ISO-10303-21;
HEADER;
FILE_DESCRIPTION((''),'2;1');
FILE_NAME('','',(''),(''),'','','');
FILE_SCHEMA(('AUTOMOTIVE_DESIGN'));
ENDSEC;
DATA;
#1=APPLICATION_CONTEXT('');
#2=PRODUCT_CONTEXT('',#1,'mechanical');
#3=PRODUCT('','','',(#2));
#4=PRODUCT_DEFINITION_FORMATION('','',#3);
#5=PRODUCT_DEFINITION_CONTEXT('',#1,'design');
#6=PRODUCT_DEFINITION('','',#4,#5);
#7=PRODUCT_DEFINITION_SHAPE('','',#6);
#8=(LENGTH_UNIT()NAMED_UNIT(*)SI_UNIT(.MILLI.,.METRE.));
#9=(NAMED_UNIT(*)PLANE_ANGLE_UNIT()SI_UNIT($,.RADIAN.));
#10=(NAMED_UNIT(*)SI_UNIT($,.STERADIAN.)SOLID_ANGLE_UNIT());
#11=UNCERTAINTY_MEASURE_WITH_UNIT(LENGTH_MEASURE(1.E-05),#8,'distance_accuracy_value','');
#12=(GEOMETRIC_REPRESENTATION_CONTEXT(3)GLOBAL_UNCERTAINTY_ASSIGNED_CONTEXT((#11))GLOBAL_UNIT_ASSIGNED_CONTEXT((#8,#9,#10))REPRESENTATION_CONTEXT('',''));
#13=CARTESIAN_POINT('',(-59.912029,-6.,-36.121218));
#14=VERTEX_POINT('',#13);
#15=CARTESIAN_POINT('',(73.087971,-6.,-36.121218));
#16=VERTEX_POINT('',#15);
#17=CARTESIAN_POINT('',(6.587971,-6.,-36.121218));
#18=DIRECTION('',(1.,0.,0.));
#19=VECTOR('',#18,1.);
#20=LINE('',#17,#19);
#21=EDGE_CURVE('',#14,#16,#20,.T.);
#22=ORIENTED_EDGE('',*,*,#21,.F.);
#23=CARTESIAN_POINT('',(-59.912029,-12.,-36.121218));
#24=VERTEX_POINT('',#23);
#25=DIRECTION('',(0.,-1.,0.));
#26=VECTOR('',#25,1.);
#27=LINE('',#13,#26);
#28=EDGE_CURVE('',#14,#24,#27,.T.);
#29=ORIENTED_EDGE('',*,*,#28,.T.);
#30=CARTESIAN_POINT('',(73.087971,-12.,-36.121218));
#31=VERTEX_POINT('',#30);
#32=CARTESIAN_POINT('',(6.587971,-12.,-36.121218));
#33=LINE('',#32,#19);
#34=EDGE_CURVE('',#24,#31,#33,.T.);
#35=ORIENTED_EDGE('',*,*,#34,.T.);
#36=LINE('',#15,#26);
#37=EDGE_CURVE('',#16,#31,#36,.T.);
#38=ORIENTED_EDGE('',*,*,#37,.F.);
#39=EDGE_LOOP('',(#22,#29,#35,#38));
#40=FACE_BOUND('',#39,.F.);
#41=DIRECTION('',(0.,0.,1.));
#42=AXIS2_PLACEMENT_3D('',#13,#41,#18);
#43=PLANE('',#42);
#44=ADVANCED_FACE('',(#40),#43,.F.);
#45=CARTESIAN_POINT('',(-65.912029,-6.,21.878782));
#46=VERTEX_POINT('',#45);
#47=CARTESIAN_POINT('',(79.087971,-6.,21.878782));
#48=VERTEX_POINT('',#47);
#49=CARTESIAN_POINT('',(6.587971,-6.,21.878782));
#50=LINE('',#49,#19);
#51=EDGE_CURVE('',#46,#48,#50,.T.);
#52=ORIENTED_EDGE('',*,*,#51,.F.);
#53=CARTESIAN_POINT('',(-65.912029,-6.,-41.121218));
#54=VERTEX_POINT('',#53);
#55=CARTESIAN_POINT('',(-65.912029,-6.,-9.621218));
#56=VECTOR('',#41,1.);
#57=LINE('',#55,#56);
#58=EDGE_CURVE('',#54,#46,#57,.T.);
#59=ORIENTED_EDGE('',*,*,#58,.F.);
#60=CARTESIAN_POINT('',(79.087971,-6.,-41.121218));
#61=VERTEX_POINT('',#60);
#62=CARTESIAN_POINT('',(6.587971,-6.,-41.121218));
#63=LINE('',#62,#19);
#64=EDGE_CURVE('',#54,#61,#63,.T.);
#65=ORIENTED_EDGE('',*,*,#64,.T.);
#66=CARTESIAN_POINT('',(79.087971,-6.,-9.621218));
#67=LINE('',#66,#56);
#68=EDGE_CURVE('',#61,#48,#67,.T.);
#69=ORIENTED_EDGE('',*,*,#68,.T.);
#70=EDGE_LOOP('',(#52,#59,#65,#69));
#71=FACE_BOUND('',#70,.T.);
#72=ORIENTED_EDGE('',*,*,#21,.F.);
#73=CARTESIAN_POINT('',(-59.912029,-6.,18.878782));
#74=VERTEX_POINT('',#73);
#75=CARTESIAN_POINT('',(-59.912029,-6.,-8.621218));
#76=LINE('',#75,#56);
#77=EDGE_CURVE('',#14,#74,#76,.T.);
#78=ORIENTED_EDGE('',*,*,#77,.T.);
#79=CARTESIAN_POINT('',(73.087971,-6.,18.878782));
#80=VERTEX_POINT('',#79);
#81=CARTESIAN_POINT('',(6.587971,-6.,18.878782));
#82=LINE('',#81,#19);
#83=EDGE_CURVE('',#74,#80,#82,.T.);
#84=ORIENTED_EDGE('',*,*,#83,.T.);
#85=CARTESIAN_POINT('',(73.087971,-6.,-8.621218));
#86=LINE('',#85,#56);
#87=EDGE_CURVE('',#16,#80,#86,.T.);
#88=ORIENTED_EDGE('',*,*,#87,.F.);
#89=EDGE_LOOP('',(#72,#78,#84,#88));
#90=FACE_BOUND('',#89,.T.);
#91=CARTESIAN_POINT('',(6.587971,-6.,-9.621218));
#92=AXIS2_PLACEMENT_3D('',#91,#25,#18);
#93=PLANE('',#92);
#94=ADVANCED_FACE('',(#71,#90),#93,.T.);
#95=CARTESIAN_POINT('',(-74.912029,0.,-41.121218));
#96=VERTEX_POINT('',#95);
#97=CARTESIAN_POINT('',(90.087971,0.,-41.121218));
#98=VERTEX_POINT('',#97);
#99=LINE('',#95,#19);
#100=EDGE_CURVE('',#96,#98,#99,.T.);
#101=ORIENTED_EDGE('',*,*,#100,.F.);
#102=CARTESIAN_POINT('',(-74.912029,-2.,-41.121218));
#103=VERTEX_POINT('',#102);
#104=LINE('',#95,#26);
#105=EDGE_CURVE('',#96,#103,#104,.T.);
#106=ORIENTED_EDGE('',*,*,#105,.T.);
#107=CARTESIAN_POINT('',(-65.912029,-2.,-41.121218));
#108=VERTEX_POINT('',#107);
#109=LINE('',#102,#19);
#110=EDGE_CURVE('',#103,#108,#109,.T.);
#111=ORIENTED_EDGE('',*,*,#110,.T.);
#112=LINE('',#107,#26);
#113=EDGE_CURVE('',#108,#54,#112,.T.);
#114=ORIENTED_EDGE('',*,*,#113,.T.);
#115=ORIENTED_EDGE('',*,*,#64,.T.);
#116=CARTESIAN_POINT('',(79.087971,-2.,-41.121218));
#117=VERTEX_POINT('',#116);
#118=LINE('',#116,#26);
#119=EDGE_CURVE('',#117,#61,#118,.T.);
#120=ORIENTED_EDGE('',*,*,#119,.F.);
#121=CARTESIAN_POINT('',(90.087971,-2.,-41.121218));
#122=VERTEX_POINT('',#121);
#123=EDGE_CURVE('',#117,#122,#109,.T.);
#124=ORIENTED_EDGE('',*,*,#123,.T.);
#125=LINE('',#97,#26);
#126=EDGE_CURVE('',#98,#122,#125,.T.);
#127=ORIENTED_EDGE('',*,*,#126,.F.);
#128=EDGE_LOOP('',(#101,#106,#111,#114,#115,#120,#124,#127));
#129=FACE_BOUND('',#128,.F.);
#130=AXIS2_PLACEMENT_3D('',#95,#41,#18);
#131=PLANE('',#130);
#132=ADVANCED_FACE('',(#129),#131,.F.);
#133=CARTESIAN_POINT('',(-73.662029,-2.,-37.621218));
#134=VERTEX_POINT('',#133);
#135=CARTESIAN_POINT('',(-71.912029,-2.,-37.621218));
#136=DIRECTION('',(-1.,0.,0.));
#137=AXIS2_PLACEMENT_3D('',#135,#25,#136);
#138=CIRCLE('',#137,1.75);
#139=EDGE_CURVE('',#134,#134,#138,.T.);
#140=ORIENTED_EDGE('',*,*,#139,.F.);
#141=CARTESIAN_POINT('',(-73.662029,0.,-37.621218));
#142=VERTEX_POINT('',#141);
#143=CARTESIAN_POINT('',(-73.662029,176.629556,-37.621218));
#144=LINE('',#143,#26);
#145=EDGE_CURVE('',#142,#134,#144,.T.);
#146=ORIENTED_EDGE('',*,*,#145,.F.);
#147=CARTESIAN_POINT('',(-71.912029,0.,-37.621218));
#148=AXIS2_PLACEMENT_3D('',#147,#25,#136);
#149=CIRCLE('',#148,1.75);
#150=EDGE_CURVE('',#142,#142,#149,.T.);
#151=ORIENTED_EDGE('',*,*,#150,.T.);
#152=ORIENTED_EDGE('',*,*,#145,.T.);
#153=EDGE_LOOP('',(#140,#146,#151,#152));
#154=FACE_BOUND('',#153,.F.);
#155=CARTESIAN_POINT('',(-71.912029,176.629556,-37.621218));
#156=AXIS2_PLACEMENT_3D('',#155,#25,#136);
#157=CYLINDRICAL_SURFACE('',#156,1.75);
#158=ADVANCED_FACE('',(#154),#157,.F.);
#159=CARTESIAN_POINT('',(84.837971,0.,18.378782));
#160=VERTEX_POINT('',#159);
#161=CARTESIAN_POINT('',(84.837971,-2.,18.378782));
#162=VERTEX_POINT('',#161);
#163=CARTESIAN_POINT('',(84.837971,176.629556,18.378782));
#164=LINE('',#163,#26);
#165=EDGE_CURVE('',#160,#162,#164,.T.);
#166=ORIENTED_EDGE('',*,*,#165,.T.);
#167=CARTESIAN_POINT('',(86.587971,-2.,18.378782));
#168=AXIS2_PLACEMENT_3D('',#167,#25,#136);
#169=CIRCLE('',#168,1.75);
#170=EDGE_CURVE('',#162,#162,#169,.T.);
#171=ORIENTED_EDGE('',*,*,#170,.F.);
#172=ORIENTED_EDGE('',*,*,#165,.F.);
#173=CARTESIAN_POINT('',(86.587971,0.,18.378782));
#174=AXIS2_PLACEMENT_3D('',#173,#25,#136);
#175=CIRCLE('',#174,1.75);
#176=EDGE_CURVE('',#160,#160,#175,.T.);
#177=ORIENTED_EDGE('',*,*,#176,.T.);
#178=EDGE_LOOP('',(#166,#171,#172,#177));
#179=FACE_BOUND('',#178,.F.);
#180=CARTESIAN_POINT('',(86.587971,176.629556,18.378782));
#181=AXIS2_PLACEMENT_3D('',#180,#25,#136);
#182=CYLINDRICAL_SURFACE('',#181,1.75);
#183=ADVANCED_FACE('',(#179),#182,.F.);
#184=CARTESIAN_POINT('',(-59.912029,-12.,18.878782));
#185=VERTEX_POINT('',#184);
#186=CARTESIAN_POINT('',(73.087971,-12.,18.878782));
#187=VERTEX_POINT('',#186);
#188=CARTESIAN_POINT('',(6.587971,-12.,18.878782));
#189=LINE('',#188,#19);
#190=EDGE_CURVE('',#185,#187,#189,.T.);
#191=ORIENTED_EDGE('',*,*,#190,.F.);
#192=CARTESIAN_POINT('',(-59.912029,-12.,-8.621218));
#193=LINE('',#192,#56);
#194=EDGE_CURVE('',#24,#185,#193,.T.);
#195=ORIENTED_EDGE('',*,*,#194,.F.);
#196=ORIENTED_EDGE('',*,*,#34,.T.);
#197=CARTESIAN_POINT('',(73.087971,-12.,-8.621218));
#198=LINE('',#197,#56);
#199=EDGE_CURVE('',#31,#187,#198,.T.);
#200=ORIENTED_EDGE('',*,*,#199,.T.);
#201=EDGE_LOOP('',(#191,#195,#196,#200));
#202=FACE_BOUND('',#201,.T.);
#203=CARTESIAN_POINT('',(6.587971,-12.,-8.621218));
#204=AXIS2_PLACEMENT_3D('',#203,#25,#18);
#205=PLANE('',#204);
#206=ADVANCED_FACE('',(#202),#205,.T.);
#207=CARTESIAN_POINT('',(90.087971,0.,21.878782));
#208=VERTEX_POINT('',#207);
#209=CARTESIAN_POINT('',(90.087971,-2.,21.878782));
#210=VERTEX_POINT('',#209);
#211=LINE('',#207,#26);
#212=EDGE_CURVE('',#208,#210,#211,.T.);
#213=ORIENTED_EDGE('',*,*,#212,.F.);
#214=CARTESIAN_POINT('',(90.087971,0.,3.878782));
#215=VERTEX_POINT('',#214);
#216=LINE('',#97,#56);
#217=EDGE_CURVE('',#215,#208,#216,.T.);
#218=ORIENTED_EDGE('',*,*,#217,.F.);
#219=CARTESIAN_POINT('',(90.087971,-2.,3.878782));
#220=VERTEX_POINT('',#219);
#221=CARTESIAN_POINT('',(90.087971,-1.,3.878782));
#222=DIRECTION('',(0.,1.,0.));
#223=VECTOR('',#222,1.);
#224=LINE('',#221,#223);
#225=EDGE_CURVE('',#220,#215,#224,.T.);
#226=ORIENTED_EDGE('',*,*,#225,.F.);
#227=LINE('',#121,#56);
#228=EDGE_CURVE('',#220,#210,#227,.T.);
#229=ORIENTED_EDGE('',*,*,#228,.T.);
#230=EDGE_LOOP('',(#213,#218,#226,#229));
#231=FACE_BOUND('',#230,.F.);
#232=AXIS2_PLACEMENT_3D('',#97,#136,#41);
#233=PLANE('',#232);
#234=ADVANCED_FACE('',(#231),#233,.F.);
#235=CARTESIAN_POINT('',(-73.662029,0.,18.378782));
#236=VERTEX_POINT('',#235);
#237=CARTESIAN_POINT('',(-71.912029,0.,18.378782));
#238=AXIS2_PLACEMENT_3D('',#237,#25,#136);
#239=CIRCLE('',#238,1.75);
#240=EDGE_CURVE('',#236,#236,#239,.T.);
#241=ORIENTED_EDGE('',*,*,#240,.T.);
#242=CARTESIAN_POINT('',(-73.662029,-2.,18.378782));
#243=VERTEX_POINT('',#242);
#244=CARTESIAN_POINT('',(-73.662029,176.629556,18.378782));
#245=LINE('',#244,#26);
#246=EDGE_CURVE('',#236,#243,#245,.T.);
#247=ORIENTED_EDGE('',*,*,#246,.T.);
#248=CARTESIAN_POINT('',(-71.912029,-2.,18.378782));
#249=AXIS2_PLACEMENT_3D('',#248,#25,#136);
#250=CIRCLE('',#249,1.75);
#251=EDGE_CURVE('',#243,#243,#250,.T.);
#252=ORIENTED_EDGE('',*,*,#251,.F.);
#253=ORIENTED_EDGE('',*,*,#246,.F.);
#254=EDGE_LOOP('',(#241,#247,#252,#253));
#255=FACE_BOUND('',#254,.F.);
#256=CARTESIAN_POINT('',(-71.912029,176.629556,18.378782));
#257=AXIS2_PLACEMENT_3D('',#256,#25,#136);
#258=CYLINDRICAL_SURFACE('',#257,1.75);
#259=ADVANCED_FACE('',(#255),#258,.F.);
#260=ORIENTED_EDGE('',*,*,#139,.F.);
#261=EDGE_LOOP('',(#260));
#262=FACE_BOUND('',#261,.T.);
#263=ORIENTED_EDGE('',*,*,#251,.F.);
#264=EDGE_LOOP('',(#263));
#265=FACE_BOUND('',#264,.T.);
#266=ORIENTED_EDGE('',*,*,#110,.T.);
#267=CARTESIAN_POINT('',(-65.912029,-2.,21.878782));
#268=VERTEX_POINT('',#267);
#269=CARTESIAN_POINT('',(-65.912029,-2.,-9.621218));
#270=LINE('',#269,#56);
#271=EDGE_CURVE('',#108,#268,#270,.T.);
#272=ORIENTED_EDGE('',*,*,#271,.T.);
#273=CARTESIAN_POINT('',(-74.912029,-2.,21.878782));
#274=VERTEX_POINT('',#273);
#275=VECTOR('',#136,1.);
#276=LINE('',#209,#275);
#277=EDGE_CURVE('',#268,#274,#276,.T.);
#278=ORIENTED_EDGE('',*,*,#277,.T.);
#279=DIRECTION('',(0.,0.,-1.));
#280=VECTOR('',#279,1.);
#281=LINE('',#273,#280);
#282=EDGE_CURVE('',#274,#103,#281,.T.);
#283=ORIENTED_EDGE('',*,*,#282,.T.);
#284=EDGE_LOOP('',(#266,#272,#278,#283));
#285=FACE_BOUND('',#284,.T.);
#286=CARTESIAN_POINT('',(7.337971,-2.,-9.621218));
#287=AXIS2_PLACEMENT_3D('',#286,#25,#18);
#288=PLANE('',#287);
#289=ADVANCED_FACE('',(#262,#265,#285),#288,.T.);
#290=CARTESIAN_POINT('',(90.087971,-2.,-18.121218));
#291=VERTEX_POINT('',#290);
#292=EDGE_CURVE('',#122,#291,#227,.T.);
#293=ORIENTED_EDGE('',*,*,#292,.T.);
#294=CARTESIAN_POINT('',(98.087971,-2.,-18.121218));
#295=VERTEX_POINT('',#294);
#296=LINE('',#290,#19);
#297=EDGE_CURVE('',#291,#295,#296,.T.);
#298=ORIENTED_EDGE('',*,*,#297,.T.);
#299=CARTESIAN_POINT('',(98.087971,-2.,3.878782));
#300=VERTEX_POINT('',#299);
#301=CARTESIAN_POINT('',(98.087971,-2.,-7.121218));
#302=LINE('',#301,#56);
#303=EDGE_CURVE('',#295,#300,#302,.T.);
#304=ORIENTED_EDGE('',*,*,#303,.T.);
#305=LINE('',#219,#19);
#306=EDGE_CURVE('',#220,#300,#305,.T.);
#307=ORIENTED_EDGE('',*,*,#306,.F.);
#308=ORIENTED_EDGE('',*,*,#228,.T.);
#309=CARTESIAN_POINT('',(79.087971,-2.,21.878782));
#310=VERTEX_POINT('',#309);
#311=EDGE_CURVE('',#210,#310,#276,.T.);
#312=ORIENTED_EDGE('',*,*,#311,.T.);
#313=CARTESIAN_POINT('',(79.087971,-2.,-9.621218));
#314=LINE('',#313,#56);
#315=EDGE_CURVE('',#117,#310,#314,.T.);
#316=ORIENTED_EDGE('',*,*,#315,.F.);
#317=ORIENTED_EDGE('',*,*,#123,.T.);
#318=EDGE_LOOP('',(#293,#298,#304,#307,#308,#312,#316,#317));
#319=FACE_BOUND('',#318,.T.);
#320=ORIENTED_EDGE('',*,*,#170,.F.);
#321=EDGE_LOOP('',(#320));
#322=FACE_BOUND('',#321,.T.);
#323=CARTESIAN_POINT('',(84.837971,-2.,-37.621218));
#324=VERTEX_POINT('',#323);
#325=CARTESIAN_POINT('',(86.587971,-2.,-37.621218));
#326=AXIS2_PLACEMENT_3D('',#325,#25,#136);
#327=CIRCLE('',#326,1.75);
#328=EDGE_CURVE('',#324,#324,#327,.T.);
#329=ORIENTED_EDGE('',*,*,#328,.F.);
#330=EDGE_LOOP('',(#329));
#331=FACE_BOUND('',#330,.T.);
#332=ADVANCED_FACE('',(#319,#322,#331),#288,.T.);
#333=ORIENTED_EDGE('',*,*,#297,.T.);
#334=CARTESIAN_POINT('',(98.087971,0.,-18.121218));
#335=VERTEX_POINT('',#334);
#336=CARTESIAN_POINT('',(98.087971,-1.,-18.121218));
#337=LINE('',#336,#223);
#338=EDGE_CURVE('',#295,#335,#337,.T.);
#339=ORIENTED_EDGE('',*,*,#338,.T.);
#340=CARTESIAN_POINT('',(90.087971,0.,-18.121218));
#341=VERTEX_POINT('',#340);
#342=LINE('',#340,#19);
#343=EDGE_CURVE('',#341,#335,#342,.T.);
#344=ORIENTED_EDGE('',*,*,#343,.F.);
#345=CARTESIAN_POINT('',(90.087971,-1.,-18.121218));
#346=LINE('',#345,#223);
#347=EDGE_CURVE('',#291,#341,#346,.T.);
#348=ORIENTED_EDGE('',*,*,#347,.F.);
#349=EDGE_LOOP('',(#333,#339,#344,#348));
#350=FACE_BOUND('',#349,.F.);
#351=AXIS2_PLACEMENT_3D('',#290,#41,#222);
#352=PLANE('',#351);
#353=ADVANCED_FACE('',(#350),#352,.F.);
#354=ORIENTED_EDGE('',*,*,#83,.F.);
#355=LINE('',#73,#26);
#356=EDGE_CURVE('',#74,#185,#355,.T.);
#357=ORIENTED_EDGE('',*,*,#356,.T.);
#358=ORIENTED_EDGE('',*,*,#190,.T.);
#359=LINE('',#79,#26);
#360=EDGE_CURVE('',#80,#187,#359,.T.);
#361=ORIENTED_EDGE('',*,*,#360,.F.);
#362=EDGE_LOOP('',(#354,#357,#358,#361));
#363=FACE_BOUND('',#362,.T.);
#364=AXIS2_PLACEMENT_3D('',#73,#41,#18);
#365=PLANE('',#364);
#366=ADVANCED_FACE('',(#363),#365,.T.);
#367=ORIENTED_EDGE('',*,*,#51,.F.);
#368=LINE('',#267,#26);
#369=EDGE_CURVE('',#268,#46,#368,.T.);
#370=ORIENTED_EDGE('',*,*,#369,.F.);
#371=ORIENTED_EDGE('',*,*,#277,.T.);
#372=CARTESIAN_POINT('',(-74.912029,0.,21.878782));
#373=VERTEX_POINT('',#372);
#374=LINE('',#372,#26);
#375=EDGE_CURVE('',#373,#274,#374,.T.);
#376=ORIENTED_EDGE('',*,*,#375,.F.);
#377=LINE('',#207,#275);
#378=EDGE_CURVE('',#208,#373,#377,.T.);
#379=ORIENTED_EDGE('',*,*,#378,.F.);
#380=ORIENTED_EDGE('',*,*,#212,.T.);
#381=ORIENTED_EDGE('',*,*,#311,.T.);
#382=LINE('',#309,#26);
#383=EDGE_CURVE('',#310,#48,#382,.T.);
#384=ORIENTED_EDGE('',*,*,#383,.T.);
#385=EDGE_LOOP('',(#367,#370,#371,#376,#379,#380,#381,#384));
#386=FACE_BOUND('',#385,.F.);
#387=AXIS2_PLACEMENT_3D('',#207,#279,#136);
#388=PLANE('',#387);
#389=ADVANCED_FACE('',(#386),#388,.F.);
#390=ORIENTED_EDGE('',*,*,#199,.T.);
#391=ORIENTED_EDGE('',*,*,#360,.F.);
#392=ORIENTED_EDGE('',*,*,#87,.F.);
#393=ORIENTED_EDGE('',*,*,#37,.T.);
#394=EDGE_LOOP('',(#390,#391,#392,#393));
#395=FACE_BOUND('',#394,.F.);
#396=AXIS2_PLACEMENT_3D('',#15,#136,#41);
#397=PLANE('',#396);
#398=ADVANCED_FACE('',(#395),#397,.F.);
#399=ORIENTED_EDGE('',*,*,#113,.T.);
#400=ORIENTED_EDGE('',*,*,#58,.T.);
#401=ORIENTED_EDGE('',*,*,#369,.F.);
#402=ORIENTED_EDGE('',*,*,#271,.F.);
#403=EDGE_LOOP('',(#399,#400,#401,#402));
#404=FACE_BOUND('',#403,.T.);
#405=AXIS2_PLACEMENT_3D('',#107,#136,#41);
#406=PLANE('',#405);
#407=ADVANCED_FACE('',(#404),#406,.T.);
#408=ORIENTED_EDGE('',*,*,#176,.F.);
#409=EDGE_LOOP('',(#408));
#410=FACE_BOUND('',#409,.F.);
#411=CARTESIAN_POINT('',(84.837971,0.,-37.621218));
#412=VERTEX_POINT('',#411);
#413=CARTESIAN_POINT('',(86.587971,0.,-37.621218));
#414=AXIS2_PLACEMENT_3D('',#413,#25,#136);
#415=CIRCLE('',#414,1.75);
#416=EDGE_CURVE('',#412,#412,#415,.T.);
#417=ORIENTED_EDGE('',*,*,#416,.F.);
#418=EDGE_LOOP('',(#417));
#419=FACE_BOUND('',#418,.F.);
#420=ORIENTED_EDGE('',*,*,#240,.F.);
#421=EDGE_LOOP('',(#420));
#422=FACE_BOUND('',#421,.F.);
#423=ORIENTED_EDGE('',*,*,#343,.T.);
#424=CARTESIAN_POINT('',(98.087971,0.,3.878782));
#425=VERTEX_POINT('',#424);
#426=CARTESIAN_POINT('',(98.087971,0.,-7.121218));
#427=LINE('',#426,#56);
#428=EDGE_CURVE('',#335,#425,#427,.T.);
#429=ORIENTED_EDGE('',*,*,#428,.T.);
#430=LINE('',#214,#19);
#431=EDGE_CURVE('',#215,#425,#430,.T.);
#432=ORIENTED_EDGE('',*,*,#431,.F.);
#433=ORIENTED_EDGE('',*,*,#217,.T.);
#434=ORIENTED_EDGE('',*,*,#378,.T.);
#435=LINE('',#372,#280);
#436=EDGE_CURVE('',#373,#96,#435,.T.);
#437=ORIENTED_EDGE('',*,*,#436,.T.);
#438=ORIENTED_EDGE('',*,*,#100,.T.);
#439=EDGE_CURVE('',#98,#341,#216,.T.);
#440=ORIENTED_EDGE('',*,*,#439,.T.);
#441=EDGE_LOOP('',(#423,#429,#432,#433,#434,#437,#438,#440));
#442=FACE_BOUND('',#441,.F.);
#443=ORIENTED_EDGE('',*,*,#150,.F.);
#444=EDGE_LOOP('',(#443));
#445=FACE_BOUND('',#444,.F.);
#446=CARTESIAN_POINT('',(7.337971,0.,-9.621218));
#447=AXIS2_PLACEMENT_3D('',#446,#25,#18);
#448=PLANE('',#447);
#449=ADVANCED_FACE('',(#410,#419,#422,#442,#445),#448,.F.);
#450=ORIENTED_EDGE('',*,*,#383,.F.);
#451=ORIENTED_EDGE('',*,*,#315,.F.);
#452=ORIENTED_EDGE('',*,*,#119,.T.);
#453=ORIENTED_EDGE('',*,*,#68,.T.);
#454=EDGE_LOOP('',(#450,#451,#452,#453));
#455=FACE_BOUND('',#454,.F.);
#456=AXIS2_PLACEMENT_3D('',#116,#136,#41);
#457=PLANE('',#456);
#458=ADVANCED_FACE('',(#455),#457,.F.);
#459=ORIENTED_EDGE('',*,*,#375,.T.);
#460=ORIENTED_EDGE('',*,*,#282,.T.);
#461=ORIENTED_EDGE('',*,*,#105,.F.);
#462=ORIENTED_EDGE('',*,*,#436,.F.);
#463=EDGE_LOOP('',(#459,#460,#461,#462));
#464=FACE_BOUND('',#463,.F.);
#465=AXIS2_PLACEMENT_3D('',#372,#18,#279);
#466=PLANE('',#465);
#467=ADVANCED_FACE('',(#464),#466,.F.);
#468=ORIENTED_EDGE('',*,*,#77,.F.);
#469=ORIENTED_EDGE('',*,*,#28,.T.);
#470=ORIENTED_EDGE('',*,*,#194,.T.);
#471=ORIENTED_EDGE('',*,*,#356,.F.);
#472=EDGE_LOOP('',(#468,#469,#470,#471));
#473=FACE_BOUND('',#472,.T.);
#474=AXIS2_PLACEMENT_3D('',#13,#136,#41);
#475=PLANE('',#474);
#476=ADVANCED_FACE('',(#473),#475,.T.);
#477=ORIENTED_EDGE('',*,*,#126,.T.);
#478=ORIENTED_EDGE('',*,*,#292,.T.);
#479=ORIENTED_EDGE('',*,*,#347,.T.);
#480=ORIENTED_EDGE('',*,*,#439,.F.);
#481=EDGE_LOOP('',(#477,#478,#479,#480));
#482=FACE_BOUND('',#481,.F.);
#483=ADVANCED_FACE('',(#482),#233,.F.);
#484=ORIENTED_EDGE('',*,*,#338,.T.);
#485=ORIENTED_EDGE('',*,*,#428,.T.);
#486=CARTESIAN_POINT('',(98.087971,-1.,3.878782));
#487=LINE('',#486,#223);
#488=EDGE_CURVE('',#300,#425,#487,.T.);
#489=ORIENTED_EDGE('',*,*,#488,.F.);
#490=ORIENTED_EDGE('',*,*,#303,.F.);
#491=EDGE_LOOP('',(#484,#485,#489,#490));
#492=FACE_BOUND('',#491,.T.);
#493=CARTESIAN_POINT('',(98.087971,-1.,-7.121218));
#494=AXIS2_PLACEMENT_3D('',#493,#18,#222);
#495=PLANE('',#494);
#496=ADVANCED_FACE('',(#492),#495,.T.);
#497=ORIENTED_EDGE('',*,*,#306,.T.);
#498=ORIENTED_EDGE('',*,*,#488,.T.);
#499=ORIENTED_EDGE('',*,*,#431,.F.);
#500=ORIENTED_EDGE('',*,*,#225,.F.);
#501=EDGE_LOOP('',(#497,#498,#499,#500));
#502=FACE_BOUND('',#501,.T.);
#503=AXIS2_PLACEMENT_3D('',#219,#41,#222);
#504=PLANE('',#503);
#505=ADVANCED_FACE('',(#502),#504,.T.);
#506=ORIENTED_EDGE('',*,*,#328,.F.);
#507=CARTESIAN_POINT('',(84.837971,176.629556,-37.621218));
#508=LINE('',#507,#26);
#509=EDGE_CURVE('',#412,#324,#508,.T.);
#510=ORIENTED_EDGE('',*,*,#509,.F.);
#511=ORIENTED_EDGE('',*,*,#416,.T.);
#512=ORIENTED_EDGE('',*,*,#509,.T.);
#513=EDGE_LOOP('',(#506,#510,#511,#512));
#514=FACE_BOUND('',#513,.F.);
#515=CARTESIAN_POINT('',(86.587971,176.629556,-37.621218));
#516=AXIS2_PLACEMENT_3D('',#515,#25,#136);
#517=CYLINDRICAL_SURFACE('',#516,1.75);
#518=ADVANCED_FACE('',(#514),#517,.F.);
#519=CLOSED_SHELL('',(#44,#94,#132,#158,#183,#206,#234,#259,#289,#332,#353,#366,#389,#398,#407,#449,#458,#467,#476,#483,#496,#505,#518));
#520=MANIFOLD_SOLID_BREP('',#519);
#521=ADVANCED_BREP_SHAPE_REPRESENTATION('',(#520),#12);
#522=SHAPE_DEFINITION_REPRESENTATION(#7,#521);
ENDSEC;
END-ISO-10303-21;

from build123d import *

# Parameters (mm, degrees)
F0_W     = 158.5
F0_H     = 56
F0_H_2   = 3.5
F0_W_2   = 3
F0_W_3   = 3.5
F1_DEPTH = 2
F2_D     = 3.5
F3_W     = 145
F3_H     = 63
F4_DEPTH = 4
F5_W     = 2
F5_H     = 22
F6_DEPTH = 8
F7_W     = 133
F7_H     = 55
F8_DEPTH = 6


with BuildPart() as f1:
    # F0 (on Front) → F1 (new body)
    with BuildSketch(Plane.XZ):
        with Locations((7.3379711658, -9.6212180674)):
            Rectangle(F0_W, F0_H)
        with Locations((7.3379711658, 20.1287819326)):
            Rectangle(F0_W, F0_H_2)
        with Locations((-73.4120288342, -9.6212180674)):
            Rectangle(F0_W_2, F0_H)
        with Locations((-73.4120288342, 20.1287819326)):
            Rectangle(F0_W_2, F0_H_2)
        with Locations((-73.4120288342, -39.3712180674)):
            Rectangle(F0_W_2, F0_H_2)
        with Locations((7.3379711658, -39.3712180674)):
            Rectangle(F0_W, F0_H_2)
        with Locations((88.3379711658, 20.1287819326)):
            Rectangle(F0_W_3, F0_H_2)
        with Locations((88.3379711658, -9.6212180674)):
            Rectangle(F0_W_3, F0_H)
        with Locations((88.3379711658, -39.3712180674)):
            Rectangle(F0_W_3, F0_H_2)
    extrude(amount=F1_DEPTH)

    # F2 (through all)
    with Locations(Plane(origin=(0, 0, 0), x_dir=(1, 0, 0), z_dir=(0, 1, 0))):
        with Locations((-71.9120288342, -18.3787819326), (86.5879711658, -18.3787819326), (86.5879711658, 37.6212180674), (-71.9120288342, 37.6212180674)):
            Hole(F2_D / 2)

    # F3 (on face) → F4 (join)
    with BuildSketch(Plane.XZ.offset(2)):
        with Locations((6.5879711658, -9.6212180674)):
            Rectangle(F3_W, F3_H)
    extrude(amount=F4_DEPTH)

    # F5 (on face) → F6 (join)
    with BuildSketch(Plane.YZ.offset(90.0879711658)):
        with Locations((-1, -7.1212180674)):
            Rectangle(F5_W, F5_H)
    extrude(amount=F6_DEPTH)

    # F7 (on face) → F8 (join)
    with BuildSketch(Plane.XZ.offset(6)):
        with Locations((6.5879711658, -8.6212180674)):
            Rectangle(F7_W, F7_H)
    extrude(amount=F8_DEPTH)


solid = f1.part
